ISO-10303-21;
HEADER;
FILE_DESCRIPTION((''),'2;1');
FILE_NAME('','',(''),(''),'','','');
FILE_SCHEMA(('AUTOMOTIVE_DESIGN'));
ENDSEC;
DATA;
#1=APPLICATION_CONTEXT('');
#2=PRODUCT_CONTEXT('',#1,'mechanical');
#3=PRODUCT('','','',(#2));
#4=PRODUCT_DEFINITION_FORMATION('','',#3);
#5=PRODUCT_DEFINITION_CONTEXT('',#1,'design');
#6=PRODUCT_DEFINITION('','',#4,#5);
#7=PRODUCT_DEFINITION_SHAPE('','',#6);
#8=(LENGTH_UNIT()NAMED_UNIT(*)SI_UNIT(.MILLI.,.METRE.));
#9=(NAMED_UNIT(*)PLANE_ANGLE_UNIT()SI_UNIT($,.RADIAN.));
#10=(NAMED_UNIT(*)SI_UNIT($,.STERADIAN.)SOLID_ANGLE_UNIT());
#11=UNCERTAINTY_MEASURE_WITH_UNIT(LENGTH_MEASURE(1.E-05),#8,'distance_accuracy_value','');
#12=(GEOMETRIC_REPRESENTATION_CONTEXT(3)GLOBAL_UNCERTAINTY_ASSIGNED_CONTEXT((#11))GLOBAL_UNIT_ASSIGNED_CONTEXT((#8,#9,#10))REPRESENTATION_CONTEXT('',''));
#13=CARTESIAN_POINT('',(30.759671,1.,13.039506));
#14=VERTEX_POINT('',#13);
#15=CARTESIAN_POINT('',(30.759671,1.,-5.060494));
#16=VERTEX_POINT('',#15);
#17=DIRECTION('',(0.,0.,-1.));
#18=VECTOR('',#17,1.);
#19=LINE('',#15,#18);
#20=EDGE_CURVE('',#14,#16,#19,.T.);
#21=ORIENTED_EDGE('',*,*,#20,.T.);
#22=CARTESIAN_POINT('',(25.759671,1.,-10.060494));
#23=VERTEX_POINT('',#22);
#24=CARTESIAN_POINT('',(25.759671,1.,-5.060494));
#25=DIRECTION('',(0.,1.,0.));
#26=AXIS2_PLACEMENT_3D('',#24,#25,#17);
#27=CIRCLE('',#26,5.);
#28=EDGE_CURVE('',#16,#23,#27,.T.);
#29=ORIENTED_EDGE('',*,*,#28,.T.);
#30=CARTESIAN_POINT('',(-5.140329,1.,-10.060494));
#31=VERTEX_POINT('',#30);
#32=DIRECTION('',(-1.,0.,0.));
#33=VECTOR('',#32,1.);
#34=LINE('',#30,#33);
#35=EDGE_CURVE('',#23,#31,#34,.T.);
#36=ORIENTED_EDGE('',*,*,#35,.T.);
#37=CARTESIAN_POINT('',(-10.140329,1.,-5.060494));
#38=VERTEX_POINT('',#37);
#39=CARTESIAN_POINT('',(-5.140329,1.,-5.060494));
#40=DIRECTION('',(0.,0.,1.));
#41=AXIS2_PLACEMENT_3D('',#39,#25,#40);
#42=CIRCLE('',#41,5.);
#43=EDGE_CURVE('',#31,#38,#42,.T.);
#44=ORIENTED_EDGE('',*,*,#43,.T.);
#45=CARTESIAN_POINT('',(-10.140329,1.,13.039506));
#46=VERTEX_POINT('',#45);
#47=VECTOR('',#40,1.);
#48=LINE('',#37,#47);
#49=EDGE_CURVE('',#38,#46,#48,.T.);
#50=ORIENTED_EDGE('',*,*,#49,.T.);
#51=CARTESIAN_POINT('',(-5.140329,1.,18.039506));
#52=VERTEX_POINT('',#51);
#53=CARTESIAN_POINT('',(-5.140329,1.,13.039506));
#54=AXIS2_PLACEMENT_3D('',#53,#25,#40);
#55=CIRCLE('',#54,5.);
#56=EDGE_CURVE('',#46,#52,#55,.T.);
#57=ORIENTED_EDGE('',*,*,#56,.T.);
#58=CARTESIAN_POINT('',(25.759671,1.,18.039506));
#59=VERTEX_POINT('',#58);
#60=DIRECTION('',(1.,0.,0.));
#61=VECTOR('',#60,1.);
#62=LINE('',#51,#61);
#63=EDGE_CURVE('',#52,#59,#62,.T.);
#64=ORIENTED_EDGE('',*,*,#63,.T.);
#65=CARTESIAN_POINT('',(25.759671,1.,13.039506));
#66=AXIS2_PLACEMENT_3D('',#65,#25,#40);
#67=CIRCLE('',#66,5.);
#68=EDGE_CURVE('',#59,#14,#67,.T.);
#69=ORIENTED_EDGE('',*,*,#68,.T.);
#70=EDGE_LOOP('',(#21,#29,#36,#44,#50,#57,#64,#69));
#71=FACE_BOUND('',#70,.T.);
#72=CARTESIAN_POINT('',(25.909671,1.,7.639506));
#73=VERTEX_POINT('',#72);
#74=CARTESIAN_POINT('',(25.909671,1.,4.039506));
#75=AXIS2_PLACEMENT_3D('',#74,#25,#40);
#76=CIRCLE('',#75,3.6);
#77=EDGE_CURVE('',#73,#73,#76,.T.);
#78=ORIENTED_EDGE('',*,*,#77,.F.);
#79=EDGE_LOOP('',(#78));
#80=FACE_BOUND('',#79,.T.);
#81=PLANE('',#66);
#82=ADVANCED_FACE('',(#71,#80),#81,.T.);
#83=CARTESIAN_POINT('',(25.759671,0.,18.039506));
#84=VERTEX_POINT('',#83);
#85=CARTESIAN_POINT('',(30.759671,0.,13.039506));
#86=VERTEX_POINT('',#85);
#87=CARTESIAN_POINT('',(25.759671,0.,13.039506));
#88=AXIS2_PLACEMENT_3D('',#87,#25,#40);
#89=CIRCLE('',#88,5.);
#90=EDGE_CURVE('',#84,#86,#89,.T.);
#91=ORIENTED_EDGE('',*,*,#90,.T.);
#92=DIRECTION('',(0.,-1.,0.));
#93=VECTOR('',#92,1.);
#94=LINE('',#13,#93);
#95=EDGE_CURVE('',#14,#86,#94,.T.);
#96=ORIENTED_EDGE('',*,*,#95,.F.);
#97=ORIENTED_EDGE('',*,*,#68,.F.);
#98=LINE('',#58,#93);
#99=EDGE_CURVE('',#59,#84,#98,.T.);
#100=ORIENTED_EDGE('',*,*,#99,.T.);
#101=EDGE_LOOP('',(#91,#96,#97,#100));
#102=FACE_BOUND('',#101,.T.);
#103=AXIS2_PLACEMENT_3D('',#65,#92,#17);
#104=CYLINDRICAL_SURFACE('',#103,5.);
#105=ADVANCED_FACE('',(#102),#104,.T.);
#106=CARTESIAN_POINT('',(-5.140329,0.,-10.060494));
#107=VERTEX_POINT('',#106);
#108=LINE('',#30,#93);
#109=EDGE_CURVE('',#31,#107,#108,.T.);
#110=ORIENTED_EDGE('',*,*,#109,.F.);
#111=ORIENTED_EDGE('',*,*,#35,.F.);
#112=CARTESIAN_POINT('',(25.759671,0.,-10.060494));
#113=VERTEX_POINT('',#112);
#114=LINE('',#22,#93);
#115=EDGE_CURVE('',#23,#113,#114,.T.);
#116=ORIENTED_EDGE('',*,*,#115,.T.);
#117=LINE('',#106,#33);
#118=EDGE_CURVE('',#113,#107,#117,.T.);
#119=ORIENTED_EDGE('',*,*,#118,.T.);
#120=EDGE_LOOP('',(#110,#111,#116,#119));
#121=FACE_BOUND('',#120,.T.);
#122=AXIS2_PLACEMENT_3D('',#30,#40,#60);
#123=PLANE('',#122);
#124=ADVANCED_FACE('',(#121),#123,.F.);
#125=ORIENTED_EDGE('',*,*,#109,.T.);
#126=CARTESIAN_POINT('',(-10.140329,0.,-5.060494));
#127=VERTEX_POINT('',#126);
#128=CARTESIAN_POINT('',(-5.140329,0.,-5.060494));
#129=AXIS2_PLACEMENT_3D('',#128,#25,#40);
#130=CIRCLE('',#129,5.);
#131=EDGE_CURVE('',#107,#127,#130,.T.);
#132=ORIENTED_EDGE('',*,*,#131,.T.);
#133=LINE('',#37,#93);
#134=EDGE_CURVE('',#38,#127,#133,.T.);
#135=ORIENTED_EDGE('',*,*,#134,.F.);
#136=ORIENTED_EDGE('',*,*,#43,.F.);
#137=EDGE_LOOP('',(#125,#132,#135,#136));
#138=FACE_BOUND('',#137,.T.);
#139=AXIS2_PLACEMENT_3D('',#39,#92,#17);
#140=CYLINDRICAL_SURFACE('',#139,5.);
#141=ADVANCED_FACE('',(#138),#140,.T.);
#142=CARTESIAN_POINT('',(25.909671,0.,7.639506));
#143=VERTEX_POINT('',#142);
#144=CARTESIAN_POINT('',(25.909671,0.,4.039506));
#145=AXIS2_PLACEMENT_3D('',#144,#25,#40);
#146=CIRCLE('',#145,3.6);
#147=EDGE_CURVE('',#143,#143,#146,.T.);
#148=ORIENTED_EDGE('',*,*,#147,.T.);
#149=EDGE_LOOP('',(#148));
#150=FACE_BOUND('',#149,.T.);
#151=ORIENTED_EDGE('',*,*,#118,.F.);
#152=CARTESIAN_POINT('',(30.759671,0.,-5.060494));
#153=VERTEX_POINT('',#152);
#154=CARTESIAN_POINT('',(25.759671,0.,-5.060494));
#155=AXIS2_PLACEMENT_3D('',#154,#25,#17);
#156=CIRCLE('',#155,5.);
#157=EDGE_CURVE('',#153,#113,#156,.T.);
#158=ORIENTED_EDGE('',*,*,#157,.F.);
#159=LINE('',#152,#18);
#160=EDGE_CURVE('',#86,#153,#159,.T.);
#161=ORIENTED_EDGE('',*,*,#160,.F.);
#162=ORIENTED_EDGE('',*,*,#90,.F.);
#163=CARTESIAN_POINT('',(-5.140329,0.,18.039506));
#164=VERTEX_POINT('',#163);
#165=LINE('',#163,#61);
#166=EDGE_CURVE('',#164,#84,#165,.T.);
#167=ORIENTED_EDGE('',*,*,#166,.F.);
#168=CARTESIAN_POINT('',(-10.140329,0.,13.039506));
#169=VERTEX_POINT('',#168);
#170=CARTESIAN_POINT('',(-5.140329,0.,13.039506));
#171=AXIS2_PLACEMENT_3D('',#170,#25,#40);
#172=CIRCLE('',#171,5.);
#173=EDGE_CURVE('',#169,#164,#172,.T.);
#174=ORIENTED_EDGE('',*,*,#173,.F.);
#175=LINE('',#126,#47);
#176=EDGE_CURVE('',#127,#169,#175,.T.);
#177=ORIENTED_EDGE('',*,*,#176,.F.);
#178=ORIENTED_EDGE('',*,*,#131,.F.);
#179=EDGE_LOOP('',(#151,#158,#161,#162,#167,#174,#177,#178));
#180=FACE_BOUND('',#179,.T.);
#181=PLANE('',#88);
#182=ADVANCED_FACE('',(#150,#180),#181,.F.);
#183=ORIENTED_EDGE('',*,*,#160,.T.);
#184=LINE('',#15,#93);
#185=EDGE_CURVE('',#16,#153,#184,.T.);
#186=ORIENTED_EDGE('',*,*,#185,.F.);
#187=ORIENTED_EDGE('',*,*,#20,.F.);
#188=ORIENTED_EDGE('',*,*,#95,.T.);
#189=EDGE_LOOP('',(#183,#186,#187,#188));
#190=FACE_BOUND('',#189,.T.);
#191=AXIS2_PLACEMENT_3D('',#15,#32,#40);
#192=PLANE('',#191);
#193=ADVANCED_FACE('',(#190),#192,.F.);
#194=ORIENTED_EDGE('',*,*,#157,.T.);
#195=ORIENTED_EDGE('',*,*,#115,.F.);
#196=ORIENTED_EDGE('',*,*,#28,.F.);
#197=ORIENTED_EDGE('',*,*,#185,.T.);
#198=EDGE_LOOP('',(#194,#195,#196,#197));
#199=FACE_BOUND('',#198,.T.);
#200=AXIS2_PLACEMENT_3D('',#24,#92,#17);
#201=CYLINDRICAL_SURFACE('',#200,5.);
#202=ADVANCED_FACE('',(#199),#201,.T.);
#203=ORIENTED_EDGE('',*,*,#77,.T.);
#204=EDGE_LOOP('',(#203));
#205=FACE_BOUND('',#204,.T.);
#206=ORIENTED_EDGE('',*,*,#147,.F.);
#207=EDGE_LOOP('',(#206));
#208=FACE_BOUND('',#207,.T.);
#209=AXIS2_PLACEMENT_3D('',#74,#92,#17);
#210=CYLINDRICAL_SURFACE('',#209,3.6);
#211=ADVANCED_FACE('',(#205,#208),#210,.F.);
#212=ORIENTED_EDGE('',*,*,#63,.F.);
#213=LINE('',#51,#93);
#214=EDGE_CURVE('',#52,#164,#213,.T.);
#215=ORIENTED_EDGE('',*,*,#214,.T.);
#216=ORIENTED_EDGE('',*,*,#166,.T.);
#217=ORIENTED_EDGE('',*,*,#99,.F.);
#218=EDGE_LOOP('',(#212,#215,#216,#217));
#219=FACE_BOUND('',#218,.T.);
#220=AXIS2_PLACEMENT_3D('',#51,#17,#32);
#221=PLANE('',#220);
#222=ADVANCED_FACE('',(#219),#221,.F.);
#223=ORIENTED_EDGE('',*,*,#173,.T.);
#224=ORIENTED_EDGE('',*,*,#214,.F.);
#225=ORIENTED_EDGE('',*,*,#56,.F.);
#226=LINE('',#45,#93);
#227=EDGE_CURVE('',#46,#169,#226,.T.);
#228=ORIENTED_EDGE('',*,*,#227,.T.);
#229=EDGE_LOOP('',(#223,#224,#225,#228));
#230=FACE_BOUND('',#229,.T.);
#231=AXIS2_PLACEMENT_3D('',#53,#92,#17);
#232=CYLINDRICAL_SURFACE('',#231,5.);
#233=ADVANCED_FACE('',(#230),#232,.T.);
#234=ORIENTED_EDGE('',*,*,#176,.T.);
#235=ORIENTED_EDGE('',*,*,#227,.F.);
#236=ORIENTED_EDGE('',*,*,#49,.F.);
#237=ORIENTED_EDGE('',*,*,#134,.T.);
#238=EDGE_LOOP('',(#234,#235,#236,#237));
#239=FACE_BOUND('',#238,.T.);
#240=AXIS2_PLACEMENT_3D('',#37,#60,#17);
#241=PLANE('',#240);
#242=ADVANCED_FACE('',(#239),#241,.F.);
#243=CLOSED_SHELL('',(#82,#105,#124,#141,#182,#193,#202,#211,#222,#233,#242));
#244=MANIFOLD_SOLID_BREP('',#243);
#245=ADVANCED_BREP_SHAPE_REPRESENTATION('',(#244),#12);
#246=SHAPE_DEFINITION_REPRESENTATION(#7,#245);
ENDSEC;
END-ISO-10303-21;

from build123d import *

# Parameters (mm, degrees)
SKETCH1_R           = 3.6
BOSS_EXTRUDE1_DEPTH = 1


with BuildPart() as part:
    # Sketch1 → Boss-Extrude1 (new body)
    with BuildSketch(Plane(origin=(0, 0, 0), x_dir=(1, 0, 0), z_dir=(0, 1, 0))):
        with BuildLine():
            Line((-5.140329218, 10.060493827), (25.759670782, 10.060493827))
            ThreePointArc((25.759670782, 10.060493827), (29.295204688, 8.596027733), (30.759670782, 5.060493827))
            Line((30.759670782, 5.060493827), (30.759670782, -13.039506173))
            ThreePointArc((30.759670782, -13.039506173), (29.295204688, -16.575040079), (25.759670782, -18.039506173))
            Line((25.759670782, -18.039506173), (-5.140329218, -18.039506173))
            ThreePointArc((-5.140329218, -18.039506173), (-8.675863124, -16.575040079), (-10.140329218, -13.039506173))
            Line((-10.140329218, -13.039506173), (-10.140329218, 5.060493827))
            ThreePointArc((-10.140329218, 5.060493827), (-8.675863124, 8.596027733), (-5.140329218, 10.060493827))
        make_face()
        with Locations(Location((25.909670782, -4.039506173, 0), (0, 0, 270))):
            Circle(SKETCH1_R, mode=Mode.SUBTRACT)
    extrude(amount=BOSS_EXTRUDE1_DEPTH)


solid = part.part
